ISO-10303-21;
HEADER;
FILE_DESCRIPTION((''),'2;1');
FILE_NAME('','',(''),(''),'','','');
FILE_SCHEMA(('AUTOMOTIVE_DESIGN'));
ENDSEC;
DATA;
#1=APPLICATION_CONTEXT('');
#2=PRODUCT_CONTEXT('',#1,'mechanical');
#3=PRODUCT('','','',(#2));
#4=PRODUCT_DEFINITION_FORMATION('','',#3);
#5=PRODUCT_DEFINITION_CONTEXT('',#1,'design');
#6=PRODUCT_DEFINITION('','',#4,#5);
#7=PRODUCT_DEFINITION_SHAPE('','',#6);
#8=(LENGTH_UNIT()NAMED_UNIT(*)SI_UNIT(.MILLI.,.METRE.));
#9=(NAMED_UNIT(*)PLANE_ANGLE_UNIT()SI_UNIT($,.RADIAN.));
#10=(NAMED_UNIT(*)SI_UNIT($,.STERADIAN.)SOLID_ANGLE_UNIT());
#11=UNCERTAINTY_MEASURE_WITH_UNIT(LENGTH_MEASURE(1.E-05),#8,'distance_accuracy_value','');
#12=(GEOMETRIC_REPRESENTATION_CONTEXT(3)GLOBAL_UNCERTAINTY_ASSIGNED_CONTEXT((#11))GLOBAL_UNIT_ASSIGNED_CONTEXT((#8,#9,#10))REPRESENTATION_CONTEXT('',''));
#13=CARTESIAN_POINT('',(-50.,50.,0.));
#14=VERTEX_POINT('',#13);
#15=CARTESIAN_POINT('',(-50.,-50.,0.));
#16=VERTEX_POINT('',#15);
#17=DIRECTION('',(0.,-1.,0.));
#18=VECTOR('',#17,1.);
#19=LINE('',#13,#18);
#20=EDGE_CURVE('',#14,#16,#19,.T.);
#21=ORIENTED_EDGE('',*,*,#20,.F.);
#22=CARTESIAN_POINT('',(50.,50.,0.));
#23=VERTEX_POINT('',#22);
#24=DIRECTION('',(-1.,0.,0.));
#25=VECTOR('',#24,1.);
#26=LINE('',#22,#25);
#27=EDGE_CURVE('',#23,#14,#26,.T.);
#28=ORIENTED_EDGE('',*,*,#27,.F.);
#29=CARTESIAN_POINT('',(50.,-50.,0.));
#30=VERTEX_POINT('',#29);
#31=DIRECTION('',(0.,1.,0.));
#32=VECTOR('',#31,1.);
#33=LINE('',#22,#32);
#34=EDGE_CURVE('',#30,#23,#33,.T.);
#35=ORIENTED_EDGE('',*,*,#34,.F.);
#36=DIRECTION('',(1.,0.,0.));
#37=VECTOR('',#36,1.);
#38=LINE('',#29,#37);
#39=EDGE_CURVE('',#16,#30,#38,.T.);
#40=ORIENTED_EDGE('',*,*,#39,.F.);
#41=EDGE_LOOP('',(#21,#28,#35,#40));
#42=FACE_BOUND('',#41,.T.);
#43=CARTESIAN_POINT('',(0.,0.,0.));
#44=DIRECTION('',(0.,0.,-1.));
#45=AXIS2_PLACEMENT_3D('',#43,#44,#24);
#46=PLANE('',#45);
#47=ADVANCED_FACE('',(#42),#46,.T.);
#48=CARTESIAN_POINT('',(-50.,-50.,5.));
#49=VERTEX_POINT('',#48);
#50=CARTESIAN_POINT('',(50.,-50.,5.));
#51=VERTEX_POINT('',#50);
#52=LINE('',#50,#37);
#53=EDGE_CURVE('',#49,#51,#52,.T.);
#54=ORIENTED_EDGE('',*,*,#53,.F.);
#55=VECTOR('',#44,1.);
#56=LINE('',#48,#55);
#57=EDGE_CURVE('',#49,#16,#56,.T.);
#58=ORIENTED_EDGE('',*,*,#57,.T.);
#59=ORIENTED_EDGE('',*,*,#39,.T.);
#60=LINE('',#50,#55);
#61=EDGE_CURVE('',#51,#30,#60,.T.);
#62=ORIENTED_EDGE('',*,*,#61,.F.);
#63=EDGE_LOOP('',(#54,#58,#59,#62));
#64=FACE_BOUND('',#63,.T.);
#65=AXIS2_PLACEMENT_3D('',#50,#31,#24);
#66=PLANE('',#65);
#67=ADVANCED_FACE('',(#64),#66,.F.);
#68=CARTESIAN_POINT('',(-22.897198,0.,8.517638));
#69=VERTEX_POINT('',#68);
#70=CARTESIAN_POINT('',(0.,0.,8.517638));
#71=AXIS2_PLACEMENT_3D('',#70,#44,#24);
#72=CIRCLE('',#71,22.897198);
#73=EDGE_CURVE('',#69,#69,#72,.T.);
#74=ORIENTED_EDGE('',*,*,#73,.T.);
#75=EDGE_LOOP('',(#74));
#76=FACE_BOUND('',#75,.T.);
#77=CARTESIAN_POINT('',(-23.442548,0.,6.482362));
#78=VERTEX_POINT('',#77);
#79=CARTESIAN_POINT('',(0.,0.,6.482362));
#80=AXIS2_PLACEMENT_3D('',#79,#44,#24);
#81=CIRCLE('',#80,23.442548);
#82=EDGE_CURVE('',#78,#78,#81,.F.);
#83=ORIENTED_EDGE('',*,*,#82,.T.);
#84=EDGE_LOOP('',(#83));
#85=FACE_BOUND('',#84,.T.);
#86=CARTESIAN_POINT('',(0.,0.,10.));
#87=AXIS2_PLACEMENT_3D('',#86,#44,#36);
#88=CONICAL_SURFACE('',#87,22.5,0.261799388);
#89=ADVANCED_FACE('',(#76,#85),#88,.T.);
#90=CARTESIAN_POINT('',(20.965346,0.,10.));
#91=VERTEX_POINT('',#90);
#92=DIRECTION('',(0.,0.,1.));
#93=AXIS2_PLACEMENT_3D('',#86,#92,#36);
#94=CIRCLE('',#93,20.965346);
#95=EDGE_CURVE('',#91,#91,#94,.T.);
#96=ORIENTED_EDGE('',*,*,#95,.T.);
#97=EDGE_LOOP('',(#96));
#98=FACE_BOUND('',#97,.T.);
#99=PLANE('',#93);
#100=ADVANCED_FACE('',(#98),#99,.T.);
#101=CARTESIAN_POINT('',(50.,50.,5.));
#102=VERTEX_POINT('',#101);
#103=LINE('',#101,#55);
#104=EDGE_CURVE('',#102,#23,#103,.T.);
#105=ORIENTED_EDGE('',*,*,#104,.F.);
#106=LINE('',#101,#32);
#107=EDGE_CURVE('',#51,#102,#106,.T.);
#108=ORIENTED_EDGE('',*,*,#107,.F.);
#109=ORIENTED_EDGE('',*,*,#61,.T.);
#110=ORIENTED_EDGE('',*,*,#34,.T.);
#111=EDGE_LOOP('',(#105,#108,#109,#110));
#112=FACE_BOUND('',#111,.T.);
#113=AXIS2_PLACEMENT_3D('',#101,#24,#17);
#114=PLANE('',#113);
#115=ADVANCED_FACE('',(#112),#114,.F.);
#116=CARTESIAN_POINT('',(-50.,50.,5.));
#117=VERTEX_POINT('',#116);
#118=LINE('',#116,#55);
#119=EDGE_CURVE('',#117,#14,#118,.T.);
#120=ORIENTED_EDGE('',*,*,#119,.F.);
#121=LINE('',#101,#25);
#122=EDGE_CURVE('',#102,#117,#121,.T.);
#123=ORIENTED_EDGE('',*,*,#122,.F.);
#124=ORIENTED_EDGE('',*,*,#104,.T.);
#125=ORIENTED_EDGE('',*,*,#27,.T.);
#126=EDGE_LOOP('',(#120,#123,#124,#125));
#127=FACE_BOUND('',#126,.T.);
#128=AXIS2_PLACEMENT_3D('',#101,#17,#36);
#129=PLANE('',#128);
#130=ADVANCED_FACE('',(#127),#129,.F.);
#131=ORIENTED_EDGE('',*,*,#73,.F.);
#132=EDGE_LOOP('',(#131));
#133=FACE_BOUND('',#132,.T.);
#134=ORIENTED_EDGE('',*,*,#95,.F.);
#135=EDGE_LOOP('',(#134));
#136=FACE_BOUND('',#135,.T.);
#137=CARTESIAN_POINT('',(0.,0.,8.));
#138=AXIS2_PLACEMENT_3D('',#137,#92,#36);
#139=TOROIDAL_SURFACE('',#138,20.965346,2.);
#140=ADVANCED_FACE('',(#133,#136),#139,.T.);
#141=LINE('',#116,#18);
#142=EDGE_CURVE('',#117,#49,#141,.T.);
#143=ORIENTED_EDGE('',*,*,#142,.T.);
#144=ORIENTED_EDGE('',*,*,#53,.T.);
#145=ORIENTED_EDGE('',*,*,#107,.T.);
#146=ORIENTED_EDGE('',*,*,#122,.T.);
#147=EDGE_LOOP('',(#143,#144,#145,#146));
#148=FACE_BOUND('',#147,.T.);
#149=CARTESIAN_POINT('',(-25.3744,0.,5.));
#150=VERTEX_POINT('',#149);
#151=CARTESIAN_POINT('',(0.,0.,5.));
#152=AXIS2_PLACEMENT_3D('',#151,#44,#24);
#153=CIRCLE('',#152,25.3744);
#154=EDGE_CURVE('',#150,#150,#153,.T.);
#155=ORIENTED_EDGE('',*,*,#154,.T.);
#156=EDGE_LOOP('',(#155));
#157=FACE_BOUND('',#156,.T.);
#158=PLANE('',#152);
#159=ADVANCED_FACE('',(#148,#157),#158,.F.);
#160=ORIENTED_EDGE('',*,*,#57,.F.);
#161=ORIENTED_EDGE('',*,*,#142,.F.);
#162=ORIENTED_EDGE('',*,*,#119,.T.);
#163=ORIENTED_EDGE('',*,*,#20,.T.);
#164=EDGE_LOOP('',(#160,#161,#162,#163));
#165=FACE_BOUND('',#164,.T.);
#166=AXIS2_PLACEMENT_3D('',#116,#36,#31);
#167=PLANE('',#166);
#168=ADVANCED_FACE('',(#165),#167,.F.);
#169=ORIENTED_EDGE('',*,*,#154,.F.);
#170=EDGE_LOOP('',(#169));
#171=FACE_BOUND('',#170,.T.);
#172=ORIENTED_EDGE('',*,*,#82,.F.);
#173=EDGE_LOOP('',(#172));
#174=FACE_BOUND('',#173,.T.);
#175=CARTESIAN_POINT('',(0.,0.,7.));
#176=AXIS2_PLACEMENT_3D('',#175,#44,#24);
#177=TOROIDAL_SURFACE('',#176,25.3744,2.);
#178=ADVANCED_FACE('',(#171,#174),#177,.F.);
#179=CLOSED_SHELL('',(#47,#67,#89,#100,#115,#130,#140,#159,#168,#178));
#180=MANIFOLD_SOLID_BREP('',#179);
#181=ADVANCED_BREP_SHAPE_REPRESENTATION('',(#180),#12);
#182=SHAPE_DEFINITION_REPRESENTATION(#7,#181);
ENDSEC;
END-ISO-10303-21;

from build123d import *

# Parameters (mm, degrees)
SKETCH_1_W      = 100
SKETCH_1_H      = 100
EXTRUDE_1_DEPTH = 5
SKETCH_2_R      = 22.5
EXTRUDE_2_DEPTH = 5
DRAFT_1_ANGLE   = 15
FILLET_1_R      = 2


with BuildPart() as part:
    # 草图1 → 凸台-拉伸1 (new body)
    with BuildSketch(Plane.XY):
        Rectangle(SKETCH_1_W, SKETCH_1_H)
    extrude(amount=EXTRUDE_1_DEPTH)

    # 草图2 → 凸台-拉伸2 (add)
    with BuildSketch(Plane.XY.offset(5)):
        Circle(SKETCH_2_R)
    extrude(amount=EXTRUDE_2_DEPTH)

    # 拔模1
    draft_1_faces = [part.faces().sort_by_distance(p)[0] for p in [
        (-22.5, 0, 7.5),
    ]]
    draft(draft_1_faces, Plane.XY.offset(10), DRAFT_1_ANGLE)

    # 圆角1
    fillet_1_edges = [part.edges().sort_by_distance(p)[0] for p in [
        (-23.839745962, 0, 5),
        (-22.5, 0, 10),
    ]]
    fillet(fillet_1_edges, radius=FILLET_1_R)


solid = part.part
